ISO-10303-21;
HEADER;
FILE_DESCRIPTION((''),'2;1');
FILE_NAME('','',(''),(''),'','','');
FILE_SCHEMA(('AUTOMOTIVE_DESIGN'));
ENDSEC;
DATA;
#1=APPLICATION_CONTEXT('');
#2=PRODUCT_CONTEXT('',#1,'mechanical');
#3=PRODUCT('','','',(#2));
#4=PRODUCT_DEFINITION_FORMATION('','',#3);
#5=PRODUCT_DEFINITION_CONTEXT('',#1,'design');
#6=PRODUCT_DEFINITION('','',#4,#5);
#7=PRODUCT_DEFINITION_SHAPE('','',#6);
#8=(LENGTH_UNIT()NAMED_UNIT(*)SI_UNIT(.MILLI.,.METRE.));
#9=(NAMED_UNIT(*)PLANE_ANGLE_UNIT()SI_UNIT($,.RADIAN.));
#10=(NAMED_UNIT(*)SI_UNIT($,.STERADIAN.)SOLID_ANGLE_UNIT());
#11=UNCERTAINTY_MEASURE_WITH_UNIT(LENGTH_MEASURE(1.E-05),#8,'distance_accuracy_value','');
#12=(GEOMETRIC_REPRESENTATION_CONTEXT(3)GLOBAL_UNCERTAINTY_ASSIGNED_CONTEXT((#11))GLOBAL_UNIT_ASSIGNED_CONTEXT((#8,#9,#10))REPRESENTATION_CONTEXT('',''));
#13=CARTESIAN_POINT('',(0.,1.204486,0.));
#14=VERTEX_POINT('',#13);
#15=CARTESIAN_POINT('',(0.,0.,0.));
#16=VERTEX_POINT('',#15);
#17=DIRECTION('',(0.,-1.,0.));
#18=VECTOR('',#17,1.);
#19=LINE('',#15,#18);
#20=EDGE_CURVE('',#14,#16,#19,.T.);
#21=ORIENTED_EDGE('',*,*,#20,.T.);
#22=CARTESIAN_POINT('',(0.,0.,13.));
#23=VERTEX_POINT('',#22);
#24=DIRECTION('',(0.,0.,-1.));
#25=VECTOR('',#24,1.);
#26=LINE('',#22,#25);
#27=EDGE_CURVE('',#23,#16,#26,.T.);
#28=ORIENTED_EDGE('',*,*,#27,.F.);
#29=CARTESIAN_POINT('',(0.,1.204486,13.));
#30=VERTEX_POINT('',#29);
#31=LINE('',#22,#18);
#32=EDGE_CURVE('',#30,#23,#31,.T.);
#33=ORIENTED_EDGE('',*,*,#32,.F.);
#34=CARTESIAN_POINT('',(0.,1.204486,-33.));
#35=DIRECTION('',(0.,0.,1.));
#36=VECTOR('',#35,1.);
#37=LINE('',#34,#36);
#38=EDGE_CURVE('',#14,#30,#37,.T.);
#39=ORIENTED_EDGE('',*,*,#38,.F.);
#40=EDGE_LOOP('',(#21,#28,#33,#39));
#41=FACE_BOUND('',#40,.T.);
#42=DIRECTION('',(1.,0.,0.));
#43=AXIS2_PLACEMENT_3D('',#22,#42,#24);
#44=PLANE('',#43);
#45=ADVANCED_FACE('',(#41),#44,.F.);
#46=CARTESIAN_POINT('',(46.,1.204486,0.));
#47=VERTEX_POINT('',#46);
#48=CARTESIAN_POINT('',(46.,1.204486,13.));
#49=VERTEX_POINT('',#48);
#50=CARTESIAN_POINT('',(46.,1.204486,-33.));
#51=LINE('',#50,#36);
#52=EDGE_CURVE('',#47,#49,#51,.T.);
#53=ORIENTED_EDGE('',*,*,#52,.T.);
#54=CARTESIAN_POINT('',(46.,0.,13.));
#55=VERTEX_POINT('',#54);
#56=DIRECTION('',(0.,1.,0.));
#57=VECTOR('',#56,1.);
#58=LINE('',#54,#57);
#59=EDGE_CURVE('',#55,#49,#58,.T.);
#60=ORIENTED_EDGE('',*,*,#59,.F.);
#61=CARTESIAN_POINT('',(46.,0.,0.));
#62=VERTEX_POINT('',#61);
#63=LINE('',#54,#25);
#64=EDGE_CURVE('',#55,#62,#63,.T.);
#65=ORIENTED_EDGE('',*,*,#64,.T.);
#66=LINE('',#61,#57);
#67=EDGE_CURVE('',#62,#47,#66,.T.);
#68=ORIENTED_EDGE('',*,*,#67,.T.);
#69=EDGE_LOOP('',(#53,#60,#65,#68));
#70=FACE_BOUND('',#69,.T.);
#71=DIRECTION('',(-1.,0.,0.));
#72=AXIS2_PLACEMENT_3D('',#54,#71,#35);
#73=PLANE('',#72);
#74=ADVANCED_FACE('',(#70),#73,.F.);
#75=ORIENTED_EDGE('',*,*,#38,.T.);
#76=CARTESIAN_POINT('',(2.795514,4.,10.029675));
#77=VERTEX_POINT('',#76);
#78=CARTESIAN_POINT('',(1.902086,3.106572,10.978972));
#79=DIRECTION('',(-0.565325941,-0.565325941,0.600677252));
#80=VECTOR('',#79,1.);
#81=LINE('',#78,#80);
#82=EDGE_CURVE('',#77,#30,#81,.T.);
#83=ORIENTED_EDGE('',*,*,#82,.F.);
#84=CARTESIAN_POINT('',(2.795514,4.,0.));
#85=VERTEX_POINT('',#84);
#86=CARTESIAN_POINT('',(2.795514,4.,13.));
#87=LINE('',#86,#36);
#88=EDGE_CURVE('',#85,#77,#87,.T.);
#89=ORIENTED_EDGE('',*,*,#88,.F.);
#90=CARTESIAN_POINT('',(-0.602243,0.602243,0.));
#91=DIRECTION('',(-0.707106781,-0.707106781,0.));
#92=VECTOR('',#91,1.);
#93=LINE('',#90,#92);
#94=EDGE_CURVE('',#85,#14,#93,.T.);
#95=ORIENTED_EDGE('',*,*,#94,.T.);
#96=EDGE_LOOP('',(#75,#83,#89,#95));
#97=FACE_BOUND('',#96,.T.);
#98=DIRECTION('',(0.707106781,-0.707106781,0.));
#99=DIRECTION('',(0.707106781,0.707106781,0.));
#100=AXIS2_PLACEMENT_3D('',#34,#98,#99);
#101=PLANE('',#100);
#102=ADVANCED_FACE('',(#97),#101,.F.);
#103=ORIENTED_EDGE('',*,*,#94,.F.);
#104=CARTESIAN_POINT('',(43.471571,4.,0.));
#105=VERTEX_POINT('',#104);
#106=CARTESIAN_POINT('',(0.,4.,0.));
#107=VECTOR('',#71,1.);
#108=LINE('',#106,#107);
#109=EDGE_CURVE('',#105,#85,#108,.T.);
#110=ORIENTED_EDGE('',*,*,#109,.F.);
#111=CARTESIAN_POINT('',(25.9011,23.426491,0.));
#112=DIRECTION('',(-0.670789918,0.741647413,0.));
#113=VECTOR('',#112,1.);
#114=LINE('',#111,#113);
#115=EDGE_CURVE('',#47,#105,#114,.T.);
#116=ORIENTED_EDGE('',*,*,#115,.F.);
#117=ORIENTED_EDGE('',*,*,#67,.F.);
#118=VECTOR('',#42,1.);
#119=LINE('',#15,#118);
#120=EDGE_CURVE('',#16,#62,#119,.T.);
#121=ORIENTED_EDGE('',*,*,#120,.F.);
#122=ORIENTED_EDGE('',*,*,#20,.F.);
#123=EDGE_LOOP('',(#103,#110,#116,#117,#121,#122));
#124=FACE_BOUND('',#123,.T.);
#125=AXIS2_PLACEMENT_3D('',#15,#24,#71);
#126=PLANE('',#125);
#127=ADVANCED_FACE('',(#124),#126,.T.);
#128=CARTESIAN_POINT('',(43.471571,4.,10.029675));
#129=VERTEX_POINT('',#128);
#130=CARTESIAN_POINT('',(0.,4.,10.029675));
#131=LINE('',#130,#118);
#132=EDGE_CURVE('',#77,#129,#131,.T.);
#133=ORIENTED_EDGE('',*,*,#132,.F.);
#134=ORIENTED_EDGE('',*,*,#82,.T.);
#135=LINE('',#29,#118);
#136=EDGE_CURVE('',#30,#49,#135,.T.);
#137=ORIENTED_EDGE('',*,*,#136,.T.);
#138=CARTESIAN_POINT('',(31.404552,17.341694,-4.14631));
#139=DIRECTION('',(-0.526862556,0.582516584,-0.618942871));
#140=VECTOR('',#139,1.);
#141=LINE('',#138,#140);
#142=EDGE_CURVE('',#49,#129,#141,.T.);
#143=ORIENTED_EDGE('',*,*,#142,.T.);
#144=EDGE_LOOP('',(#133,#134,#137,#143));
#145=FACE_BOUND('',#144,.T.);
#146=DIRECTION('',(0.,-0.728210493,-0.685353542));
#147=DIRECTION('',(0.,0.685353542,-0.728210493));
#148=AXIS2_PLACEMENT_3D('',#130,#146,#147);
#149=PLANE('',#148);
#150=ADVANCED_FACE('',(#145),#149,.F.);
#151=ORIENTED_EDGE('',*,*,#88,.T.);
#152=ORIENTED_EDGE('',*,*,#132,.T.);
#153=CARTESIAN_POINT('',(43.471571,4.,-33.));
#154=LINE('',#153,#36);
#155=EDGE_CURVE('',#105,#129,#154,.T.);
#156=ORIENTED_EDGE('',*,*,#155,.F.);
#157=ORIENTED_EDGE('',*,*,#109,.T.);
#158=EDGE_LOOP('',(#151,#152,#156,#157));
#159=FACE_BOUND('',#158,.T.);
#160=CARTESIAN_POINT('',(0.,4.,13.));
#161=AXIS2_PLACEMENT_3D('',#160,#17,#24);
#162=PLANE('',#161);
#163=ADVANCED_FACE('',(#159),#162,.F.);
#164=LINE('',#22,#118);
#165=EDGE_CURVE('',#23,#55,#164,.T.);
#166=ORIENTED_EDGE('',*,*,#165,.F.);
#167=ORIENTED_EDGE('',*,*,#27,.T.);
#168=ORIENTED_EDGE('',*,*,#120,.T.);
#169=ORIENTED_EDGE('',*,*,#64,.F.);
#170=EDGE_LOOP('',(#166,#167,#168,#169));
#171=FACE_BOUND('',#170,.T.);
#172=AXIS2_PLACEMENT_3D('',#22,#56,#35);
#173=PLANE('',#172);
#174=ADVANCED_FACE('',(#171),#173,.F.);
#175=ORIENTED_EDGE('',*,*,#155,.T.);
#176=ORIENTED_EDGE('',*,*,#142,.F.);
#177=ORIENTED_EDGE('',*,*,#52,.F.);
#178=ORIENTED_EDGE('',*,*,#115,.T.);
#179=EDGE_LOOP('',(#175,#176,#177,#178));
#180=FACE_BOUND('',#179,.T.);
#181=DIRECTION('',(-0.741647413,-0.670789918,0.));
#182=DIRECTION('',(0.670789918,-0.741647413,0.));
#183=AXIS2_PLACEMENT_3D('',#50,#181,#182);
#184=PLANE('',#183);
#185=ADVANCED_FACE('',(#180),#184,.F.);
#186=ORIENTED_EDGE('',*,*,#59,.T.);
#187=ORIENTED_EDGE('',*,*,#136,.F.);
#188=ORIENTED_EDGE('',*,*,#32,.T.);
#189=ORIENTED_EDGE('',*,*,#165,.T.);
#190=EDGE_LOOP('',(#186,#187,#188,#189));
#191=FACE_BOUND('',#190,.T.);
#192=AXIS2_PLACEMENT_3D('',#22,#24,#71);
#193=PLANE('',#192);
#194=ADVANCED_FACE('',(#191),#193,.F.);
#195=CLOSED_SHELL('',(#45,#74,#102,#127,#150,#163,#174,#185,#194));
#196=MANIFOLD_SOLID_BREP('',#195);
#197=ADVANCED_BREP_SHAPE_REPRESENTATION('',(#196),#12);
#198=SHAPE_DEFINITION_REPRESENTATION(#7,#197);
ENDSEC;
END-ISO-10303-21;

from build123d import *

# Parameters (mm, degrees)
SKETCH1_W           = 46
SKETCH1_H           = 4
BOSS_EXTRUDE1_DEPTH = 13
CUT_EXTRUDE1_DEPTH  = 46
CUT_EXTRUDE2_DEPTH  = 46
CUT_EXTRUDE3_DEPTH  = 46


with BuildPart() as part:
    # Sketch1 → Boss-Extrude1 (new body)
    with BuildSketch(Plane.XY):
        with Locations((23, 2)):
            Rectangle(SKETCH1_W, SKETCH1_H)
    extrude(amount=BOSS_EXTRUDE1_DEPTH)

    # Sketch2 → Cut-Extrude1 (cut)
    with BuildSketch(Plane(origin=(46, 0, 0), x_dir=(0, 0, -1), z_dir=(1, 0, 0))):
        Polygon((-10.029675263, 4), (-13, 1.204486068), (-13, 4), align=None)
    extrude(amount=-CUT_EXTRUDE1_DEPTH, mode=Mode.SUBTRACT)

    # Sketch3 → Cut-Extrude2 (cut)
    with BuildSketch(Plane.XY.offset(13)):
        Polygon((46, 1.204486068), (43.471571356, 4), (46, 4), align=None)
    extrude(amount=-CUT_EXTRUDE2_DEPTH, mode=Mode.SUBTRACT)

    # Sketch4 → Cut-Extrude3 (cut)
    with BuildSketch(Plane.XY.offset(13)):
        Polygon((0, 1.204486068), (3.068298022, 4.272784089), (0, 4.272784089), align=None)
    extrude(amount=-CUT_EXTRUDE3_DEPTH, mode=Mode.SUBTRACT)


solid = part.part
